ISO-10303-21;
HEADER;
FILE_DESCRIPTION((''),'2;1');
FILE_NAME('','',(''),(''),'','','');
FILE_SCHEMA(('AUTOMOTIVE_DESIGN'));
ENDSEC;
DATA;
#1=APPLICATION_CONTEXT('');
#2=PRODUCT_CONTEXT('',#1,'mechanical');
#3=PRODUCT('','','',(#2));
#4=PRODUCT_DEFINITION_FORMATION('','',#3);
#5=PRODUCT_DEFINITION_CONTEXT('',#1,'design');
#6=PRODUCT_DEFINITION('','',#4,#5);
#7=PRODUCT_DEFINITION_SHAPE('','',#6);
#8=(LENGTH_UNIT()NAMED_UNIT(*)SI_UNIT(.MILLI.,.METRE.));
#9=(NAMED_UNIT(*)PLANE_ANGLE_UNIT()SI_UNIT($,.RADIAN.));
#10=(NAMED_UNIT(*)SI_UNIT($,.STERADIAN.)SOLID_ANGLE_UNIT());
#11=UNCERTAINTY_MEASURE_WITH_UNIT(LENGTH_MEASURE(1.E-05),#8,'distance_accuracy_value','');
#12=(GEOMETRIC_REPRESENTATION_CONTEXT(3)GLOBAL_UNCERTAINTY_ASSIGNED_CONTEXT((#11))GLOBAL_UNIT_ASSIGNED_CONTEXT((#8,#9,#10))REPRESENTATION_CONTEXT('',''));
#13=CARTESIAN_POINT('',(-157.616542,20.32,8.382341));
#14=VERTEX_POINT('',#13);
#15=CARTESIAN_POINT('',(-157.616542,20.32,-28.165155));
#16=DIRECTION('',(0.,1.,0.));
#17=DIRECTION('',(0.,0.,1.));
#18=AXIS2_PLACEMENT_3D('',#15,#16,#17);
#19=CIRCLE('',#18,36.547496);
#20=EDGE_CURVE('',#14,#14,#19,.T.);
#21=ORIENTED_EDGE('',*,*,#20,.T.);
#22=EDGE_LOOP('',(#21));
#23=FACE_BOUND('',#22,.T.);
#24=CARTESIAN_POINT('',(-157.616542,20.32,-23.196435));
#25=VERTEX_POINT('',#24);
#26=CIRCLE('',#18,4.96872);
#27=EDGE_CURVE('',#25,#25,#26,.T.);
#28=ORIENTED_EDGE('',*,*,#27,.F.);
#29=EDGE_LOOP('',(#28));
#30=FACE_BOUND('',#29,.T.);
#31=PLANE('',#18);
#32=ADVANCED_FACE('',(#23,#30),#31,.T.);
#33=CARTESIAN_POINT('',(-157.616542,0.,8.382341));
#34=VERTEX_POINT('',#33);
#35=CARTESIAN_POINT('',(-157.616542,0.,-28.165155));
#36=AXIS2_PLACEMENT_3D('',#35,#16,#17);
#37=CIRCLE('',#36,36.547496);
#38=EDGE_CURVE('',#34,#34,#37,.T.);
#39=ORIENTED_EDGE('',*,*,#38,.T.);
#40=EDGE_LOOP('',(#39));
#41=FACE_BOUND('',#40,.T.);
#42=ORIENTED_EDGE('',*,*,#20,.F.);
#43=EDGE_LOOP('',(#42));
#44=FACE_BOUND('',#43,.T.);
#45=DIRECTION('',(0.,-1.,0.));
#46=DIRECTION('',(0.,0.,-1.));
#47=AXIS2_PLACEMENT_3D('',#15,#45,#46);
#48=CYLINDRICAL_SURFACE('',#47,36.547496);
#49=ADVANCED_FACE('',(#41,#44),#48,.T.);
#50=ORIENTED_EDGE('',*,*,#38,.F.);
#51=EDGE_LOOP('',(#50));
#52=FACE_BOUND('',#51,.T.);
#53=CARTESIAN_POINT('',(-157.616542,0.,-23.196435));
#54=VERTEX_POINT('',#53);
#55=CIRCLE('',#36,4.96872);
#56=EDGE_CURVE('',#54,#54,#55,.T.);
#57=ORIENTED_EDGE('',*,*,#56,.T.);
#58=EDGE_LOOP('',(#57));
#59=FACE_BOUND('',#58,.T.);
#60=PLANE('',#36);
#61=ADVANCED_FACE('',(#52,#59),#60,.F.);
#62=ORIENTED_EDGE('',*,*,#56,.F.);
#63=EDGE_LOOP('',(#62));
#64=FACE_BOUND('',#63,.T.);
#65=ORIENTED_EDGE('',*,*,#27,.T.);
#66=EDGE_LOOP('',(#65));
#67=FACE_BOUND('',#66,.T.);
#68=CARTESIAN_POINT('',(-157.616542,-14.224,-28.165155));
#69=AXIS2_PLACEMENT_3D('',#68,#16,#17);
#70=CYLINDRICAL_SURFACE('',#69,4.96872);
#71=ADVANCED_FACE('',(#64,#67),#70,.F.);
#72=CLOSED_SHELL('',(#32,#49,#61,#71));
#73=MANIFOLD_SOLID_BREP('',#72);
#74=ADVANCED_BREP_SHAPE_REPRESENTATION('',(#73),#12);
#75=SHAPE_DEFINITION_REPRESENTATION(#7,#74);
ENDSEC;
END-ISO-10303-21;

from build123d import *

# Parameters (mm, degrees)
SKETCH3_R           = 36.547496335
BOSS_EXTRUDE1_DEPTH = 20.32
SKETCH4_R           = 4.968719862
CUT_EXTRUDE1_DEPTH  = 34.544


with BuildPart() as part:
    # Sketch3 → Boss-Extrude1 (new body)
    with BuildSketch(Plane(origin=(0, 0, 0), x_dir=(1, 0, 0), z_dir=(0, 1, 0))):
        with Locations(Location((-157.616541965, 28.165155265, 0), (0, 0, 270))):
            Circle(SKETCH3_R)
    extrude(amount=BOSS_EXTRUDE1_DEPTH)

    # Sketch4 → Cut-Extrude1 (cut)
    with BuildSketch(Plane(origin=(0, 20.32, 0), x_dir=(1, 0, 0), z_dir=(0, 1, 0))):
        with Locations(Location((-157.616541965, 28.165155265, 0), (0, 0, 270))):
            Circle(SKETCH4_R)
    extrude(amount=-CUT_EXTRUDE1_DEPTH, mode=Mode.SUBTRACT)


solid = part.part
